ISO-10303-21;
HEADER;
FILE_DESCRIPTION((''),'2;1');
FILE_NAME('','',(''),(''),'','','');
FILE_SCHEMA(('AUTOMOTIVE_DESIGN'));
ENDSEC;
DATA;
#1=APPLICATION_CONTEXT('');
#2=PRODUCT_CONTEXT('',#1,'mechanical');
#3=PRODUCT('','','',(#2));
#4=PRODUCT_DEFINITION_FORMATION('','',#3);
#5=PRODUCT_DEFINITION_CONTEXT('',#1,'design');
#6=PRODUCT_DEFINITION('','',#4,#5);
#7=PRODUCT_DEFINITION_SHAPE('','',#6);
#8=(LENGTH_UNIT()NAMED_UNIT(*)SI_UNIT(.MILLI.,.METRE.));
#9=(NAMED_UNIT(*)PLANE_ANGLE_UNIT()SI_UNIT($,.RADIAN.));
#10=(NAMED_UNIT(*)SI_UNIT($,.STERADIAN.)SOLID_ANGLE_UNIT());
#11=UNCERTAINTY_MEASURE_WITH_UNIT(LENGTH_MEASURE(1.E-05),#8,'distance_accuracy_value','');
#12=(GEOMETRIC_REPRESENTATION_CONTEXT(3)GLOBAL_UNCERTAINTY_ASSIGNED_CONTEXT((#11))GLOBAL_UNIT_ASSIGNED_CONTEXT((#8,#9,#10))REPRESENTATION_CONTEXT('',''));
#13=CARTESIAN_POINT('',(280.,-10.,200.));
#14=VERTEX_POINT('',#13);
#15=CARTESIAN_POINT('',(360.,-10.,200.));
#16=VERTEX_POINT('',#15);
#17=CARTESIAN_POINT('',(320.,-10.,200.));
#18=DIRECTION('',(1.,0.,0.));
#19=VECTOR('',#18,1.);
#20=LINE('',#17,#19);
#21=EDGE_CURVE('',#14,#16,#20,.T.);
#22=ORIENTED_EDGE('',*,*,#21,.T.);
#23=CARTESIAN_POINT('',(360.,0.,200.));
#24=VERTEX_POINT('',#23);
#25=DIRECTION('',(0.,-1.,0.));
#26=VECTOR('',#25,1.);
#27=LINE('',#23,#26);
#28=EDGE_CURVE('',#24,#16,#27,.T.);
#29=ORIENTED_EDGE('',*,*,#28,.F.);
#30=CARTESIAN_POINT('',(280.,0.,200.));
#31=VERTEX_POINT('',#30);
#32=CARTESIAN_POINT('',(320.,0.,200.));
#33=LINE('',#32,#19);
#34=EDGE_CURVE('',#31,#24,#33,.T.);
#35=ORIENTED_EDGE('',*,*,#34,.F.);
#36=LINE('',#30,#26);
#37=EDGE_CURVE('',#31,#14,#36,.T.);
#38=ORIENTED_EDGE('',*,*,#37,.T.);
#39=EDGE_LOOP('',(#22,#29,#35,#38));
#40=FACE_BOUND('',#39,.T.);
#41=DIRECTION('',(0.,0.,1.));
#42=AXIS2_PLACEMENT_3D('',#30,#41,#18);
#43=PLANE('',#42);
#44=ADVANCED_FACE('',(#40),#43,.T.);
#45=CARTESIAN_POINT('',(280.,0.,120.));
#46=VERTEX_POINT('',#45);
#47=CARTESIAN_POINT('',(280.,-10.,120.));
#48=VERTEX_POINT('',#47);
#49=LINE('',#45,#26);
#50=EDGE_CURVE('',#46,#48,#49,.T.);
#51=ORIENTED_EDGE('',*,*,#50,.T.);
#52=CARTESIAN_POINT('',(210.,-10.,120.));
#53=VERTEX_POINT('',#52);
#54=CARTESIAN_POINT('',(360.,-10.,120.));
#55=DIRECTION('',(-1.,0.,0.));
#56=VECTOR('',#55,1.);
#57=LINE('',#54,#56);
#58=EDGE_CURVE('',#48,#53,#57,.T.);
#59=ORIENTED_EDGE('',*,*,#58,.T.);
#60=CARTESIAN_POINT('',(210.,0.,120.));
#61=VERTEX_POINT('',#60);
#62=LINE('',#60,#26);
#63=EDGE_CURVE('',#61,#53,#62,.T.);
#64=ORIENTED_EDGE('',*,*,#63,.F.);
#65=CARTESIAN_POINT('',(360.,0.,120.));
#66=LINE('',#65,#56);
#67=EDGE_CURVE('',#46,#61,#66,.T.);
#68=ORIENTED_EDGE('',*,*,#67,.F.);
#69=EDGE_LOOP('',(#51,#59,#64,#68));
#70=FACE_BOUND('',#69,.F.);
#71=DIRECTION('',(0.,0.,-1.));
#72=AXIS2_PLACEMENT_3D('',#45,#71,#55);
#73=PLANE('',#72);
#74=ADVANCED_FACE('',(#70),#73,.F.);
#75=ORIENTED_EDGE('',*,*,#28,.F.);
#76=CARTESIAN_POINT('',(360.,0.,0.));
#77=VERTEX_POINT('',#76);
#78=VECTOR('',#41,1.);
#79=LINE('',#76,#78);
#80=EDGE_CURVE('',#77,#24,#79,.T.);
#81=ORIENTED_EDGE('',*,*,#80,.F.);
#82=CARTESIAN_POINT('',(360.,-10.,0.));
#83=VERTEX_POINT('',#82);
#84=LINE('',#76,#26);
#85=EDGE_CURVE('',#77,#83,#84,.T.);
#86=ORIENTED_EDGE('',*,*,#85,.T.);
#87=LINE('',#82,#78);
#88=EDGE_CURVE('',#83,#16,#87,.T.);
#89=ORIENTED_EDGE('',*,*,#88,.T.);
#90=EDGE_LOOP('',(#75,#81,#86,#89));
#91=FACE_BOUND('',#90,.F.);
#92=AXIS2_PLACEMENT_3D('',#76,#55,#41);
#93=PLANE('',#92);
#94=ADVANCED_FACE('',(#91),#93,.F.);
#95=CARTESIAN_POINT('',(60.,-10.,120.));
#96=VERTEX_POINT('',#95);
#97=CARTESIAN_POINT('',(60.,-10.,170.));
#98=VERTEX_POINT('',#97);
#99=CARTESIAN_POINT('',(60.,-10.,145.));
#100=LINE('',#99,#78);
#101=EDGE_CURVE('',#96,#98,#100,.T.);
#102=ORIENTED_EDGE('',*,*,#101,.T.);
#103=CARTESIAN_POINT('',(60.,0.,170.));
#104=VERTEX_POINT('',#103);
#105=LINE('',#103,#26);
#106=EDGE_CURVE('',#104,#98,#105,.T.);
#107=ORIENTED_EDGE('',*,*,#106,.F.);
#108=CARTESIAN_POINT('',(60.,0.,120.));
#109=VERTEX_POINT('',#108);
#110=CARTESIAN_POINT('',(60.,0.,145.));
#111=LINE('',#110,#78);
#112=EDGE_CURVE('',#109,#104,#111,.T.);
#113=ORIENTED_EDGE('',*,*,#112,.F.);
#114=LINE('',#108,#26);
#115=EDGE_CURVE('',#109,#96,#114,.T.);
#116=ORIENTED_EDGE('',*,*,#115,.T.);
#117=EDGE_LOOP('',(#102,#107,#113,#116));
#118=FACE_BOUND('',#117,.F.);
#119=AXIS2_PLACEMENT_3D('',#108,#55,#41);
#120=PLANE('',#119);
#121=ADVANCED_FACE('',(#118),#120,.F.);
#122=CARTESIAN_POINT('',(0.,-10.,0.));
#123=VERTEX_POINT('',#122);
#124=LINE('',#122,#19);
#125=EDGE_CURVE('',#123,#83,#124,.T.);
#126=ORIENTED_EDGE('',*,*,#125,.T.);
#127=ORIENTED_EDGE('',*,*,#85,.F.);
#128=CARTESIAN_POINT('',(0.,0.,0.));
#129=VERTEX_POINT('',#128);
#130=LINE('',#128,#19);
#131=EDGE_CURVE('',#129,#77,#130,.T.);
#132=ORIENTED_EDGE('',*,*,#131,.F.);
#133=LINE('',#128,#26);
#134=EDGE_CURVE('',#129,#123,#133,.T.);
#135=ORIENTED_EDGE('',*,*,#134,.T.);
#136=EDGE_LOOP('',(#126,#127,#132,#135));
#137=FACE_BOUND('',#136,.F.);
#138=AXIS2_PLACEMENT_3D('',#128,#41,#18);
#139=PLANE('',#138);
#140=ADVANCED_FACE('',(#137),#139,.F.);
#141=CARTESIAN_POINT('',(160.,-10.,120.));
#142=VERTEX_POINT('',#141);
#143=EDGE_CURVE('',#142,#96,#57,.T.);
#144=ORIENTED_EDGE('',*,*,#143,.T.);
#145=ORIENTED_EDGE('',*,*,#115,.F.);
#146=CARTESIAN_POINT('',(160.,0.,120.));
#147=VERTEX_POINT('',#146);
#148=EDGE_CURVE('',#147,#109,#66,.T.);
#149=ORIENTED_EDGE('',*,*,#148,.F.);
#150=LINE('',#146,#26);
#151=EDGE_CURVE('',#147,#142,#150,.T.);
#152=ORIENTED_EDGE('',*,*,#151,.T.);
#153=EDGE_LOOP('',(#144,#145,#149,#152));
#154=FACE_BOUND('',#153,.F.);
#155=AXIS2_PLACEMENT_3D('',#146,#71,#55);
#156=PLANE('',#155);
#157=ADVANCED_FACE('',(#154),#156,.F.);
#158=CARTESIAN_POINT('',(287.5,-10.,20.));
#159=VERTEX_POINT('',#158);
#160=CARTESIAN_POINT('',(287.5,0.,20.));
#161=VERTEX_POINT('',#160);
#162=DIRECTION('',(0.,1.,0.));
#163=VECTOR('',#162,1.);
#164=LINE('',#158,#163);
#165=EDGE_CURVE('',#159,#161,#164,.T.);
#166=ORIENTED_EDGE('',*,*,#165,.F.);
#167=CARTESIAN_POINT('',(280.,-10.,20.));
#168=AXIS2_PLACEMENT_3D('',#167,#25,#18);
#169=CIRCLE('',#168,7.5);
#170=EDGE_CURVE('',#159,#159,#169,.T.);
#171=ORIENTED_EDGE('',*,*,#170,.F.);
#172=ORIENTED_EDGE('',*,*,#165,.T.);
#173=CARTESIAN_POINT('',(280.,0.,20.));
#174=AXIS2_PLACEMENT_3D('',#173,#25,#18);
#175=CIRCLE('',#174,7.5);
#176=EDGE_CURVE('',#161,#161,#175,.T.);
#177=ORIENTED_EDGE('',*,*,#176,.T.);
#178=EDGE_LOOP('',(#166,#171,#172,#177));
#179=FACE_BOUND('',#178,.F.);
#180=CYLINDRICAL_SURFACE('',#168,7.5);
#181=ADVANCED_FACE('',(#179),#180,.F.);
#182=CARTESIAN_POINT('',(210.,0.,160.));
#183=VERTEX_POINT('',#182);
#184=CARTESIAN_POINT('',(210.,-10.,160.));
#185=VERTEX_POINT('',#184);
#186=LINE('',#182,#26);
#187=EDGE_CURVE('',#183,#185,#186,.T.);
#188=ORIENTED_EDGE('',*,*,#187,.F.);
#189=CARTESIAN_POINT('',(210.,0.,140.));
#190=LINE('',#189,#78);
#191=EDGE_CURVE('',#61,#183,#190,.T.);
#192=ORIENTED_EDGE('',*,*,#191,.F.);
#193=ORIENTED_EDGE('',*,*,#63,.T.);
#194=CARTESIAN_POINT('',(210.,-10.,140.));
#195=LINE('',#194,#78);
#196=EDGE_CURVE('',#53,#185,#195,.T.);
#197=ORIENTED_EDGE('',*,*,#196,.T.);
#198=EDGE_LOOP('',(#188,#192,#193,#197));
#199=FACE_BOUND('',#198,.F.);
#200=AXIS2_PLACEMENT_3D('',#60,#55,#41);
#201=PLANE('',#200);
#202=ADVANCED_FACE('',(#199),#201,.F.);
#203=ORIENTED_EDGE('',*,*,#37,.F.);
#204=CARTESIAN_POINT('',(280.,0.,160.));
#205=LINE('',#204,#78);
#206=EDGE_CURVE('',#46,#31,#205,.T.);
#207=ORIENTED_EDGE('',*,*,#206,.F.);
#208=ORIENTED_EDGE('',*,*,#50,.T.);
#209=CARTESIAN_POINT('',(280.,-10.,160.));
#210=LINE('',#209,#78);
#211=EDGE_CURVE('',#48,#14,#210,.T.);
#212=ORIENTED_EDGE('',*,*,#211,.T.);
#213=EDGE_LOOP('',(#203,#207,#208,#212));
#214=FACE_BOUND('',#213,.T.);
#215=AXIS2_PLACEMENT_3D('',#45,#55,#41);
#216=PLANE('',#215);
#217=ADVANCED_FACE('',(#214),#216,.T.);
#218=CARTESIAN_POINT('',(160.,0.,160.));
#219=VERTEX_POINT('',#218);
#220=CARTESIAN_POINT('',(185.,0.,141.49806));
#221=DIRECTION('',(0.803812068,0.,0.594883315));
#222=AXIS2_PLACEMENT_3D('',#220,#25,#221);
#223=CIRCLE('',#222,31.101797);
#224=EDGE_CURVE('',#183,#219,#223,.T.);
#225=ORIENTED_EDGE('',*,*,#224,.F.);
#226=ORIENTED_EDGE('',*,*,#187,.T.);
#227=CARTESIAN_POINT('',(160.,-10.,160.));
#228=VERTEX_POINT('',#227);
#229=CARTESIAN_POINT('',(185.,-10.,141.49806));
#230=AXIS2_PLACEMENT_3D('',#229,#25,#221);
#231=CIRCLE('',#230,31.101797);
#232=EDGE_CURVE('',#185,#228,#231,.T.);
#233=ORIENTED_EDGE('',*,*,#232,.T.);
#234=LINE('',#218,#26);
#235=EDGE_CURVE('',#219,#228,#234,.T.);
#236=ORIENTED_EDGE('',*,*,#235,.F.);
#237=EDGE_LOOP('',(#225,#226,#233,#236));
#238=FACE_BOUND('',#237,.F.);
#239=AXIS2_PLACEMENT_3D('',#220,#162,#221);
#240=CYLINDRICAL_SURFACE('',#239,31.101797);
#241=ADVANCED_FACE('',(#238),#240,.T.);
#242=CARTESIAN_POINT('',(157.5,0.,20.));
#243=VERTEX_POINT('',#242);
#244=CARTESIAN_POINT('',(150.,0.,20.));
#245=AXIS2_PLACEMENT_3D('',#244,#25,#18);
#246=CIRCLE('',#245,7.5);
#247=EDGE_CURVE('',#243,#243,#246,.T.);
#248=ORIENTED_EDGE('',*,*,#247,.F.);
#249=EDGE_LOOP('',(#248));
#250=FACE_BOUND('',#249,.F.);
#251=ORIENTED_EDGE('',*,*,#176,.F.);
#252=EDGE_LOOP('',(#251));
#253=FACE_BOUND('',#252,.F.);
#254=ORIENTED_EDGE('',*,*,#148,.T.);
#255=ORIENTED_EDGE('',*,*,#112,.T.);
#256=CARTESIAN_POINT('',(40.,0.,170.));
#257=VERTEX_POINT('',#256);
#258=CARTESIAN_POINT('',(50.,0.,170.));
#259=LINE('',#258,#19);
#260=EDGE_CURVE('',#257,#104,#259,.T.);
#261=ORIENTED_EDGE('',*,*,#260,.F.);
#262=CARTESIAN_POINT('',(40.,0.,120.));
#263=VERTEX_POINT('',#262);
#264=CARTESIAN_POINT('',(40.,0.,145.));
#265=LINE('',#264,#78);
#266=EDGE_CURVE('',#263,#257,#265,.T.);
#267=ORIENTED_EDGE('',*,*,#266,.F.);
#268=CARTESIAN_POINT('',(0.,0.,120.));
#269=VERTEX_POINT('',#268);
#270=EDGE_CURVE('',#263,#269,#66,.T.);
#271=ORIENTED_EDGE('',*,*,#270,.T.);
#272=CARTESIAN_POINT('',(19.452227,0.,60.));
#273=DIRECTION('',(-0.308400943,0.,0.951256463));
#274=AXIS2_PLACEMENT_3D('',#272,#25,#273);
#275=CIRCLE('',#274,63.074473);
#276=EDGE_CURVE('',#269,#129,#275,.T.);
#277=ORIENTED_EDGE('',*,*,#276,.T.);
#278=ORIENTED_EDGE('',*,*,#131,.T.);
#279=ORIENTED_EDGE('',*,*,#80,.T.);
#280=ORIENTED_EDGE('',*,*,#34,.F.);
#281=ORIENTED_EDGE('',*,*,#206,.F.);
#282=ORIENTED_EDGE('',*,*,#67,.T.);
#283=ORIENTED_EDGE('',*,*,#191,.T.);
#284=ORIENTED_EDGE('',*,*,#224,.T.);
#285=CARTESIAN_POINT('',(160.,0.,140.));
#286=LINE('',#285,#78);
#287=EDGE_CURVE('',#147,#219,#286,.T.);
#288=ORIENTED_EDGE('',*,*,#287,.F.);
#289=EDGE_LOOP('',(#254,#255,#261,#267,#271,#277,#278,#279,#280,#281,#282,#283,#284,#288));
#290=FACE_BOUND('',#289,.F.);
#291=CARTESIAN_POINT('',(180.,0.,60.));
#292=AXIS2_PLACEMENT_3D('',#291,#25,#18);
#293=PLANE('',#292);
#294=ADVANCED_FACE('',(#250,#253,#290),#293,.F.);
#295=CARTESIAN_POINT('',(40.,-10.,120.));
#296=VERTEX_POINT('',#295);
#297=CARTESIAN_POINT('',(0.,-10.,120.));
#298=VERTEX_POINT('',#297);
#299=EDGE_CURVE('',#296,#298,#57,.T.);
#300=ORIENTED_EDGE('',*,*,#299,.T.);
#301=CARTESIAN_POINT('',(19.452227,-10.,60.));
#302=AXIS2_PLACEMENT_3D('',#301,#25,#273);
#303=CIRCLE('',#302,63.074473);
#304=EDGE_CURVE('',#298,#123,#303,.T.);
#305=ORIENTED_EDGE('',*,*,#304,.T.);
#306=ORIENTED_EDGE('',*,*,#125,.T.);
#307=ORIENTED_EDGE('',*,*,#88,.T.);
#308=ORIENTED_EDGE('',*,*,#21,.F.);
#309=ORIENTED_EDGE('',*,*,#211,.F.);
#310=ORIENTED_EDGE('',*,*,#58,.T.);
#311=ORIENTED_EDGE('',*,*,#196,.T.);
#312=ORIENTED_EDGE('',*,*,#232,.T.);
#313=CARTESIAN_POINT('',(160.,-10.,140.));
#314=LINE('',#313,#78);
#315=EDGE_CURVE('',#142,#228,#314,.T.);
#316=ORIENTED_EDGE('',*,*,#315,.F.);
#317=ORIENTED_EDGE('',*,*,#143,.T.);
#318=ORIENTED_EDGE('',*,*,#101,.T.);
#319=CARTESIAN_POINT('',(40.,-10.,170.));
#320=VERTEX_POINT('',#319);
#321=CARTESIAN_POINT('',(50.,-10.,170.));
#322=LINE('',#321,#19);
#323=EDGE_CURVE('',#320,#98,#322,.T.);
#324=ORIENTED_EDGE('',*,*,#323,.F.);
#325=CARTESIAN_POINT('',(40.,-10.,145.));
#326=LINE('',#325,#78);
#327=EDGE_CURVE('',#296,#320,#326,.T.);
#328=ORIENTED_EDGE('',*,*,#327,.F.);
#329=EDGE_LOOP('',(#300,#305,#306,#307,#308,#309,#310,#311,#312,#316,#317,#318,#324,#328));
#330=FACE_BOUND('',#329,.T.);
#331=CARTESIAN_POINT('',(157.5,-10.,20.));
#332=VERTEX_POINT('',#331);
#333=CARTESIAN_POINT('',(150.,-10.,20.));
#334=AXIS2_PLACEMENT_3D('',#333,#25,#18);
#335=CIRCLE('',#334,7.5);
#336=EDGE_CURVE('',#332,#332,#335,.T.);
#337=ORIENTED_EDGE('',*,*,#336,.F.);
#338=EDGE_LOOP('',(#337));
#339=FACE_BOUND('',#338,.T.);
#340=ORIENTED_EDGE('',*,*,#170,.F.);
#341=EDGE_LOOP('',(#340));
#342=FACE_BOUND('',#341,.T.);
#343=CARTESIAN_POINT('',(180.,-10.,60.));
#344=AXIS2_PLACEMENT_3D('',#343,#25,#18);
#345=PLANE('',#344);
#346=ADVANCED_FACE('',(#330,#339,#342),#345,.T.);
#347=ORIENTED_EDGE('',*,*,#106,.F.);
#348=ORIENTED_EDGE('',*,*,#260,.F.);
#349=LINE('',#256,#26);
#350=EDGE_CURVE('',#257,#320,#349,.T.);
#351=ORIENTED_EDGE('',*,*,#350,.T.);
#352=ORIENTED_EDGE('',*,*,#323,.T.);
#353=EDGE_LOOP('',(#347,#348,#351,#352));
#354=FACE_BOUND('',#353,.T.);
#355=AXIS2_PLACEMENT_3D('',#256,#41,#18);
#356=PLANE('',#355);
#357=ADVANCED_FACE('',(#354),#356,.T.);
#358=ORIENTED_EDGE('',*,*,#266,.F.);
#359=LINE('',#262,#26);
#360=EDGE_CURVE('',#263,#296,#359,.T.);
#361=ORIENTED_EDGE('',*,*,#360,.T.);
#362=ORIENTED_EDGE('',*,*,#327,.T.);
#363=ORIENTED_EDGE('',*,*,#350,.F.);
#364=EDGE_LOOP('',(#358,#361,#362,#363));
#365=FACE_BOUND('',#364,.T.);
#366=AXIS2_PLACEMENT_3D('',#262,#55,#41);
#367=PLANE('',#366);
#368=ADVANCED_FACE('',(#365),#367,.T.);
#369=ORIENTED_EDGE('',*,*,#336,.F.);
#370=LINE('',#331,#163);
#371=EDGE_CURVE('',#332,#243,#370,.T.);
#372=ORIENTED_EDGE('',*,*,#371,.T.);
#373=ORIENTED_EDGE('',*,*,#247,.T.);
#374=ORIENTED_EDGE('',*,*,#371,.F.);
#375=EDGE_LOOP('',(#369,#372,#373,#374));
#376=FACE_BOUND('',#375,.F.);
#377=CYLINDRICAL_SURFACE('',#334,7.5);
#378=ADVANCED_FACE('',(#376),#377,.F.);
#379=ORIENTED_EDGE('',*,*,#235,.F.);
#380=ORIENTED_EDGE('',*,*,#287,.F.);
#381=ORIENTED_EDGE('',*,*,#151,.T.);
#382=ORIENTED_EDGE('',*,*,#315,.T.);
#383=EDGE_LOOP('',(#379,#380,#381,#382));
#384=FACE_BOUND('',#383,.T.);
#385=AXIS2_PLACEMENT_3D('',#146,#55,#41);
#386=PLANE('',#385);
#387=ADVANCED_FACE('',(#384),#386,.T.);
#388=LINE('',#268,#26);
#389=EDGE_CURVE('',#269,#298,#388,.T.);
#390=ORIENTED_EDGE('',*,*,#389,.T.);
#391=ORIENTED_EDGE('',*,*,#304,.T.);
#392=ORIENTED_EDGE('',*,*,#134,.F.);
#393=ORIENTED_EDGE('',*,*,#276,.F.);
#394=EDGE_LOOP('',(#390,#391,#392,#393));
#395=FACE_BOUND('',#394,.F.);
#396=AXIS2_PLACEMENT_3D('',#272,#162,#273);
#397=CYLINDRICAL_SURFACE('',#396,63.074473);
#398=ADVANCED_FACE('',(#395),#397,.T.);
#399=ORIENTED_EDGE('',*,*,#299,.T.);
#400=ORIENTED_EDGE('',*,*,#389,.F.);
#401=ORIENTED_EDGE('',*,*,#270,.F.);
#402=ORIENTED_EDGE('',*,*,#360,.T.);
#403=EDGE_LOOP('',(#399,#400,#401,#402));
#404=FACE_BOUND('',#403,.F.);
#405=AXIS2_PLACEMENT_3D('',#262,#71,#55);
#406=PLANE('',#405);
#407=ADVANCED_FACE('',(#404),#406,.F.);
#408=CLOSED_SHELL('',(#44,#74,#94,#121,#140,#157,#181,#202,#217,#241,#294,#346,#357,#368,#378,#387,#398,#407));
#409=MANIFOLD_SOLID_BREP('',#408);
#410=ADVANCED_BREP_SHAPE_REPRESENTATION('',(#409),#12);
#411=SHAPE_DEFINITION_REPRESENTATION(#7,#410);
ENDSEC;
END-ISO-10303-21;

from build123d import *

# Parameters (mm, degrees)
F0_W     = 80
F0_H     = 80
F0_W_2   = 20
F0_H_2   = 50
F0_W_3   = 50
F0_H_3   = 40
F1_DEPTH = 10
F2_R     = 7.5
F3_DEPTH = 10.001


with BuildPart() as f1:
    # F0 (on Front) → F1 (new body)
    with BuildSketch(Plane.XZ):
        Polygon((0, 120), (0, 0), (360, 0), (360, 120), (280, 120), (210, 120), (160, 120), (60, 120), (40, 120), align=None)
        with BuildLine():
            ThreePointArc((0, 120), (-43.622246, 60), (0, 0))
            Line((0, 0), (0, 120))
        make_face()
        with Locations((320, 160)):
            Rectangle(F0_W, F0_H)
        with Locations((50, 145)):
            Rectangle(F0_W_2, F0_H_2)
        with Locations((185, 140)):
            Rectangle(F0_W_3, F0_H_3)
        with BuildLine():
            Line((160, 160), (210, 160))
            ThreePointArc((210, 160), (185, 172.599857), (160, 160))
        make_face()
    extrude(amount=F1_DEPTH)

    # F2 (on face) → F3 (cut, through all)
    with BuildSketch(Plane.XZ.offset(10)):
        with Locations((150, 20)):
            Circle(F2_R)
        with Locations((280, 20)):
            Circle(F2_R)
    extrude(amount=-F3_DEPTH, mode=Mode.SUBTRACT)


solid = f1.part
